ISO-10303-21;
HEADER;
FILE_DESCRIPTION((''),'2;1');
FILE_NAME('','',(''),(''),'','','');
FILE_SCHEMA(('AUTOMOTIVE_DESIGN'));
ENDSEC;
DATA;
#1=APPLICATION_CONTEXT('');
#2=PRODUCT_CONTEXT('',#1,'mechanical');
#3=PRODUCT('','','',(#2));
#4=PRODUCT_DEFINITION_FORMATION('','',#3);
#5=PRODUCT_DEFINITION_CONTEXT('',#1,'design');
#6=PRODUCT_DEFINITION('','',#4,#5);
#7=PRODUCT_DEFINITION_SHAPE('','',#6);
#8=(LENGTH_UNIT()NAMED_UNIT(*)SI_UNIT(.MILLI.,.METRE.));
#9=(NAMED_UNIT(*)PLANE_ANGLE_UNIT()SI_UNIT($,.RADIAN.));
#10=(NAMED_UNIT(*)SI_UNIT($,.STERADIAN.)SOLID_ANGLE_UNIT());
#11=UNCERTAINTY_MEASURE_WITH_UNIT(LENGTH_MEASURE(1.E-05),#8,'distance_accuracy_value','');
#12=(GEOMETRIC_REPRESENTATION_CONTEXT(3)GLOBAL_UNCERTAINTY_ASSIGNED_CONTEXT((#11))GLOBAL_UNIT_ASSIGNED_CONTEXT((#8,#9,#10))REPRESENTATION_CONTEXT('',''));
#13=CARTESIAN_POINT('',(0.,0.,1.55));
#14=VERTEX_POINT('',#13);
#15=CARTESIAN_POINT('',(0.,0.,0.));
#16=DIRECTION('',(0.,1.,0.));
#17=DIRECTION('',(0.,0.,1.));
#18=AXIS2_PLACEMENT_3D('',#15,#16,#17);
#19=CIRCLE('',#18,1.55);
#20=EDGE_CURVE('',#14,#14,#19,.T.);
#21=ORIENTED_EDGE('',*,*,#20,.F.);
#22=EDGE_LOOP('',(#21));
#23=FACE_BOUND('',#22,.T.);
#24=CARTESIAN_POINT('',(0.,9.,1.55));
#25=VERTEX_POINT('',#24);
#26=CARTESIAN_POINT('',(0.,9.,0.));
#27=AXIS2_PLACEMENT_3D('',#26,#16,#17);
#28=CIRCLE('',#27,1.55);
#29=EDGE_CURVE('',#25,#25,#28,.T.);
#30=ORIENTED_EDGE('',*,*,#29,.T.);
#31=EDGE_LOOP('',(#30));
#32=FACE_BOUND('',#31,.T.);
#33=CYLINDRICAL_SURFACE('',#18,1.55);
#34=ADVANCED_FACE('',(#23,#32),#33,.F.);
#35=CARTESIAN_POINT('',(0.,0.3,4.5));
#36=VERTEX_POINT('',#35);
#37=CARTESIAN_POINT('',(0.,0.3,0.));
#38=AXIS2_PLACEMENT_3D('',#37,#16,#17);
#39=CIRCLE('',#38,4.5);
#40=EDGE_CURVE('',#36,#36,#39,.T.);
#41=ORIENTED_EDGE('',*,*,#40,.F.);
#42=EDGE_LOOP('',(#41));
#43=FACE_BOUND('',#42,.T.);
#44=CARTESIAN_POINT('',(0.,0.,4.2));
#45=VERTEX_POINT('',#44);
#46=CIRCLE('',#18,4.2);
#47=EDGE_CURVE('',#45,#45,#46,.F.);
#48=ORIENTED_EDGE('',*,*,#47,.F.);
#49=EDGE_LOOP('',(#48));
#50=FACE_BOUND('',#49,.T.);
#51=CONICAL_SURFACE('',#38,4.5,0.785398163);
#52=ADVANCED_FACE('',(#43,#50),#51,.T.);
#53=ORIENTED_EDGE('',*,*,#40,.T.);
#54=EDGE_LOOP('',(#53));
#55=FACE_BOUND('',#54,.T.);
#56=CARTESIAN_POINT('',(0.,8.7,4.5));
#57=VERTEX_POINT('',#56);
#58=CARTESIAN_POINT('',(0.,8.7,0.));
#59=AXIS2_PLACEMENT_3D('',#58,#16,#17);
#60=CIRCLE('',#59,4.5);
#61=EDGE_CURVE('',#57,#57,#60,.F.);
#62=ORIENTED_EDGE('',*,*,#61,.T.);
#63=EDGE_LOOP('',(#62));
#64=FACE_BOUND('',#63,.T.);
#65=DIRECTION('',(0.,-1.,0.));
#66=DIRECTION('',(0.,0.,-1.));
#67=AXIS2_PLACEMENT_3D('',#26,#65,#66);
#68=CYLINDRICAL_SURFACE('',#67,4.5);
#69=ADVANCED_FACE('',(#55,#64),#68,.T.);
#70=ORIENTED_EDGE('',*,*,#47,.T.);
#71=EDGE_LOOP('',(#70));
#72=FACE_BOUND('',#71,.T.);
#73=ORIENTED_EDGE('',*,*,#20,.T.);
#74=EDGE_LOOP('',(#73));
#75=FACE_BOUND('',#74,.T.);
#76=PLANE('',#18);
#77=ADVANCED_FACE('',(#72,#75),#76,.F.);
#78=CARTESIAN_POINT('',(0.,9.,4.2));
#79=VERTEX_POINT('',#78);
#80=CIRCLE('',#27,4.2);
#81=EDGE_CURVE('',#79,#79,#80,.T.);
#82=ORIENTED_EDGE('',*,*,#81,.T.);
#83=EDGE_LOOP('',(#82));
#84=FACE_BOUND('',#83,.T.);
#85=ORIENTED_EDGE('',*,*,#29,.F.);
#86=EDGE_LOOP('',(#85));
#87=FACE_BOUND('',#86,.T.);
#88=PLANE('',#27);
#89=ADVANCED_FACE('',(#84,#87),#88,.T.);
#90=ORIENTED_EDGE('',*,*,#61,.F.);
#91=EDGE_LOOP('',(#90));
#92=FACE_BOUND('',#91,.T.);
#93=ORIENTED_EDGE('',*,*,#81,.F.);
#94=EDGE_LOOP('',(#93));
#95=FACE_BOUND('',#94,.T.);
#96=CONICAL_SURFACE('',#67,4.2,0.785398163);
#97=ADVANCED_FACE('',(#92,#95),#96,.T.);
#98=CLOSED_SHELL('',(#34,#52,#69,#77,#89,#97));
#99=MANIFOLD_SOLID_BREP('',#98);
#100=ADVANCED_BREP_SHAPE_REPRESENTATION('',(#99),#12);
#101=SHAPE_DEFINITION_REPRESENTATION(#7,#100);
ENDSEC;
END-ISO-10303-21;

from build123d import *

# Parameters (mm, degrees)
CROQUIS1_R              = 4.5
SALIENTE_EXTRUIR1_DEPTH = 9
CHAFL_N1_SIZE           = 0.3
CHAFL_N2_SIZE           = 0.3
CROQUIS2_R              = 1.55
CORTAR_EXTRUIR1_DEPTH   = 9


with BuildPart() as part:
    # Croquis1 → Saliente-Extruir1 (new body)
    with BuildSketch(Plane(origin=(0, 0, 0), x_dir=(1, 0, 0), z_dir=(0, 1, 0))):
        with Locations(Location((0, 0, 0), (0, 0, 270))):
            Circle(CROQUIS1_R)
    extrude(amount=SALIENTE_EXTRUIR1_DEPTH)

    # Chaflán1
    chafl_n1_edges = [part.edges().sort_by_distance(p)[0] for p in [
        (0, 9, -4.5),
    ]]
    chamfer(chafl_n1_edges, length=CHAFL_N1_SIZE)

    # Chaflán2
    chafl_n2_edges = [part.edges().sort_by_distance(p)[0] for p in [
        (0, 0, -4.5),
    ]]
    chamfer(chafl_n2_edges, length=CHAFL_N2_SIZE)

    # Croquis2 → Cortar-Extruir1 (cut)
    with BuildSketch(Plane(origin=(0, 9, 0), x_dir=(1, 0, 0), z_dir=(0, 1, 0))):
        with Locations(Location((0, 0, 0), (0, 0, 270))):
            Circle(CROQUIS2_R)
    extrude(amount=-CORTAR_EXTRUIR1_DEPTH, mode=Mode.SUBTRACT)


solid = part.part
